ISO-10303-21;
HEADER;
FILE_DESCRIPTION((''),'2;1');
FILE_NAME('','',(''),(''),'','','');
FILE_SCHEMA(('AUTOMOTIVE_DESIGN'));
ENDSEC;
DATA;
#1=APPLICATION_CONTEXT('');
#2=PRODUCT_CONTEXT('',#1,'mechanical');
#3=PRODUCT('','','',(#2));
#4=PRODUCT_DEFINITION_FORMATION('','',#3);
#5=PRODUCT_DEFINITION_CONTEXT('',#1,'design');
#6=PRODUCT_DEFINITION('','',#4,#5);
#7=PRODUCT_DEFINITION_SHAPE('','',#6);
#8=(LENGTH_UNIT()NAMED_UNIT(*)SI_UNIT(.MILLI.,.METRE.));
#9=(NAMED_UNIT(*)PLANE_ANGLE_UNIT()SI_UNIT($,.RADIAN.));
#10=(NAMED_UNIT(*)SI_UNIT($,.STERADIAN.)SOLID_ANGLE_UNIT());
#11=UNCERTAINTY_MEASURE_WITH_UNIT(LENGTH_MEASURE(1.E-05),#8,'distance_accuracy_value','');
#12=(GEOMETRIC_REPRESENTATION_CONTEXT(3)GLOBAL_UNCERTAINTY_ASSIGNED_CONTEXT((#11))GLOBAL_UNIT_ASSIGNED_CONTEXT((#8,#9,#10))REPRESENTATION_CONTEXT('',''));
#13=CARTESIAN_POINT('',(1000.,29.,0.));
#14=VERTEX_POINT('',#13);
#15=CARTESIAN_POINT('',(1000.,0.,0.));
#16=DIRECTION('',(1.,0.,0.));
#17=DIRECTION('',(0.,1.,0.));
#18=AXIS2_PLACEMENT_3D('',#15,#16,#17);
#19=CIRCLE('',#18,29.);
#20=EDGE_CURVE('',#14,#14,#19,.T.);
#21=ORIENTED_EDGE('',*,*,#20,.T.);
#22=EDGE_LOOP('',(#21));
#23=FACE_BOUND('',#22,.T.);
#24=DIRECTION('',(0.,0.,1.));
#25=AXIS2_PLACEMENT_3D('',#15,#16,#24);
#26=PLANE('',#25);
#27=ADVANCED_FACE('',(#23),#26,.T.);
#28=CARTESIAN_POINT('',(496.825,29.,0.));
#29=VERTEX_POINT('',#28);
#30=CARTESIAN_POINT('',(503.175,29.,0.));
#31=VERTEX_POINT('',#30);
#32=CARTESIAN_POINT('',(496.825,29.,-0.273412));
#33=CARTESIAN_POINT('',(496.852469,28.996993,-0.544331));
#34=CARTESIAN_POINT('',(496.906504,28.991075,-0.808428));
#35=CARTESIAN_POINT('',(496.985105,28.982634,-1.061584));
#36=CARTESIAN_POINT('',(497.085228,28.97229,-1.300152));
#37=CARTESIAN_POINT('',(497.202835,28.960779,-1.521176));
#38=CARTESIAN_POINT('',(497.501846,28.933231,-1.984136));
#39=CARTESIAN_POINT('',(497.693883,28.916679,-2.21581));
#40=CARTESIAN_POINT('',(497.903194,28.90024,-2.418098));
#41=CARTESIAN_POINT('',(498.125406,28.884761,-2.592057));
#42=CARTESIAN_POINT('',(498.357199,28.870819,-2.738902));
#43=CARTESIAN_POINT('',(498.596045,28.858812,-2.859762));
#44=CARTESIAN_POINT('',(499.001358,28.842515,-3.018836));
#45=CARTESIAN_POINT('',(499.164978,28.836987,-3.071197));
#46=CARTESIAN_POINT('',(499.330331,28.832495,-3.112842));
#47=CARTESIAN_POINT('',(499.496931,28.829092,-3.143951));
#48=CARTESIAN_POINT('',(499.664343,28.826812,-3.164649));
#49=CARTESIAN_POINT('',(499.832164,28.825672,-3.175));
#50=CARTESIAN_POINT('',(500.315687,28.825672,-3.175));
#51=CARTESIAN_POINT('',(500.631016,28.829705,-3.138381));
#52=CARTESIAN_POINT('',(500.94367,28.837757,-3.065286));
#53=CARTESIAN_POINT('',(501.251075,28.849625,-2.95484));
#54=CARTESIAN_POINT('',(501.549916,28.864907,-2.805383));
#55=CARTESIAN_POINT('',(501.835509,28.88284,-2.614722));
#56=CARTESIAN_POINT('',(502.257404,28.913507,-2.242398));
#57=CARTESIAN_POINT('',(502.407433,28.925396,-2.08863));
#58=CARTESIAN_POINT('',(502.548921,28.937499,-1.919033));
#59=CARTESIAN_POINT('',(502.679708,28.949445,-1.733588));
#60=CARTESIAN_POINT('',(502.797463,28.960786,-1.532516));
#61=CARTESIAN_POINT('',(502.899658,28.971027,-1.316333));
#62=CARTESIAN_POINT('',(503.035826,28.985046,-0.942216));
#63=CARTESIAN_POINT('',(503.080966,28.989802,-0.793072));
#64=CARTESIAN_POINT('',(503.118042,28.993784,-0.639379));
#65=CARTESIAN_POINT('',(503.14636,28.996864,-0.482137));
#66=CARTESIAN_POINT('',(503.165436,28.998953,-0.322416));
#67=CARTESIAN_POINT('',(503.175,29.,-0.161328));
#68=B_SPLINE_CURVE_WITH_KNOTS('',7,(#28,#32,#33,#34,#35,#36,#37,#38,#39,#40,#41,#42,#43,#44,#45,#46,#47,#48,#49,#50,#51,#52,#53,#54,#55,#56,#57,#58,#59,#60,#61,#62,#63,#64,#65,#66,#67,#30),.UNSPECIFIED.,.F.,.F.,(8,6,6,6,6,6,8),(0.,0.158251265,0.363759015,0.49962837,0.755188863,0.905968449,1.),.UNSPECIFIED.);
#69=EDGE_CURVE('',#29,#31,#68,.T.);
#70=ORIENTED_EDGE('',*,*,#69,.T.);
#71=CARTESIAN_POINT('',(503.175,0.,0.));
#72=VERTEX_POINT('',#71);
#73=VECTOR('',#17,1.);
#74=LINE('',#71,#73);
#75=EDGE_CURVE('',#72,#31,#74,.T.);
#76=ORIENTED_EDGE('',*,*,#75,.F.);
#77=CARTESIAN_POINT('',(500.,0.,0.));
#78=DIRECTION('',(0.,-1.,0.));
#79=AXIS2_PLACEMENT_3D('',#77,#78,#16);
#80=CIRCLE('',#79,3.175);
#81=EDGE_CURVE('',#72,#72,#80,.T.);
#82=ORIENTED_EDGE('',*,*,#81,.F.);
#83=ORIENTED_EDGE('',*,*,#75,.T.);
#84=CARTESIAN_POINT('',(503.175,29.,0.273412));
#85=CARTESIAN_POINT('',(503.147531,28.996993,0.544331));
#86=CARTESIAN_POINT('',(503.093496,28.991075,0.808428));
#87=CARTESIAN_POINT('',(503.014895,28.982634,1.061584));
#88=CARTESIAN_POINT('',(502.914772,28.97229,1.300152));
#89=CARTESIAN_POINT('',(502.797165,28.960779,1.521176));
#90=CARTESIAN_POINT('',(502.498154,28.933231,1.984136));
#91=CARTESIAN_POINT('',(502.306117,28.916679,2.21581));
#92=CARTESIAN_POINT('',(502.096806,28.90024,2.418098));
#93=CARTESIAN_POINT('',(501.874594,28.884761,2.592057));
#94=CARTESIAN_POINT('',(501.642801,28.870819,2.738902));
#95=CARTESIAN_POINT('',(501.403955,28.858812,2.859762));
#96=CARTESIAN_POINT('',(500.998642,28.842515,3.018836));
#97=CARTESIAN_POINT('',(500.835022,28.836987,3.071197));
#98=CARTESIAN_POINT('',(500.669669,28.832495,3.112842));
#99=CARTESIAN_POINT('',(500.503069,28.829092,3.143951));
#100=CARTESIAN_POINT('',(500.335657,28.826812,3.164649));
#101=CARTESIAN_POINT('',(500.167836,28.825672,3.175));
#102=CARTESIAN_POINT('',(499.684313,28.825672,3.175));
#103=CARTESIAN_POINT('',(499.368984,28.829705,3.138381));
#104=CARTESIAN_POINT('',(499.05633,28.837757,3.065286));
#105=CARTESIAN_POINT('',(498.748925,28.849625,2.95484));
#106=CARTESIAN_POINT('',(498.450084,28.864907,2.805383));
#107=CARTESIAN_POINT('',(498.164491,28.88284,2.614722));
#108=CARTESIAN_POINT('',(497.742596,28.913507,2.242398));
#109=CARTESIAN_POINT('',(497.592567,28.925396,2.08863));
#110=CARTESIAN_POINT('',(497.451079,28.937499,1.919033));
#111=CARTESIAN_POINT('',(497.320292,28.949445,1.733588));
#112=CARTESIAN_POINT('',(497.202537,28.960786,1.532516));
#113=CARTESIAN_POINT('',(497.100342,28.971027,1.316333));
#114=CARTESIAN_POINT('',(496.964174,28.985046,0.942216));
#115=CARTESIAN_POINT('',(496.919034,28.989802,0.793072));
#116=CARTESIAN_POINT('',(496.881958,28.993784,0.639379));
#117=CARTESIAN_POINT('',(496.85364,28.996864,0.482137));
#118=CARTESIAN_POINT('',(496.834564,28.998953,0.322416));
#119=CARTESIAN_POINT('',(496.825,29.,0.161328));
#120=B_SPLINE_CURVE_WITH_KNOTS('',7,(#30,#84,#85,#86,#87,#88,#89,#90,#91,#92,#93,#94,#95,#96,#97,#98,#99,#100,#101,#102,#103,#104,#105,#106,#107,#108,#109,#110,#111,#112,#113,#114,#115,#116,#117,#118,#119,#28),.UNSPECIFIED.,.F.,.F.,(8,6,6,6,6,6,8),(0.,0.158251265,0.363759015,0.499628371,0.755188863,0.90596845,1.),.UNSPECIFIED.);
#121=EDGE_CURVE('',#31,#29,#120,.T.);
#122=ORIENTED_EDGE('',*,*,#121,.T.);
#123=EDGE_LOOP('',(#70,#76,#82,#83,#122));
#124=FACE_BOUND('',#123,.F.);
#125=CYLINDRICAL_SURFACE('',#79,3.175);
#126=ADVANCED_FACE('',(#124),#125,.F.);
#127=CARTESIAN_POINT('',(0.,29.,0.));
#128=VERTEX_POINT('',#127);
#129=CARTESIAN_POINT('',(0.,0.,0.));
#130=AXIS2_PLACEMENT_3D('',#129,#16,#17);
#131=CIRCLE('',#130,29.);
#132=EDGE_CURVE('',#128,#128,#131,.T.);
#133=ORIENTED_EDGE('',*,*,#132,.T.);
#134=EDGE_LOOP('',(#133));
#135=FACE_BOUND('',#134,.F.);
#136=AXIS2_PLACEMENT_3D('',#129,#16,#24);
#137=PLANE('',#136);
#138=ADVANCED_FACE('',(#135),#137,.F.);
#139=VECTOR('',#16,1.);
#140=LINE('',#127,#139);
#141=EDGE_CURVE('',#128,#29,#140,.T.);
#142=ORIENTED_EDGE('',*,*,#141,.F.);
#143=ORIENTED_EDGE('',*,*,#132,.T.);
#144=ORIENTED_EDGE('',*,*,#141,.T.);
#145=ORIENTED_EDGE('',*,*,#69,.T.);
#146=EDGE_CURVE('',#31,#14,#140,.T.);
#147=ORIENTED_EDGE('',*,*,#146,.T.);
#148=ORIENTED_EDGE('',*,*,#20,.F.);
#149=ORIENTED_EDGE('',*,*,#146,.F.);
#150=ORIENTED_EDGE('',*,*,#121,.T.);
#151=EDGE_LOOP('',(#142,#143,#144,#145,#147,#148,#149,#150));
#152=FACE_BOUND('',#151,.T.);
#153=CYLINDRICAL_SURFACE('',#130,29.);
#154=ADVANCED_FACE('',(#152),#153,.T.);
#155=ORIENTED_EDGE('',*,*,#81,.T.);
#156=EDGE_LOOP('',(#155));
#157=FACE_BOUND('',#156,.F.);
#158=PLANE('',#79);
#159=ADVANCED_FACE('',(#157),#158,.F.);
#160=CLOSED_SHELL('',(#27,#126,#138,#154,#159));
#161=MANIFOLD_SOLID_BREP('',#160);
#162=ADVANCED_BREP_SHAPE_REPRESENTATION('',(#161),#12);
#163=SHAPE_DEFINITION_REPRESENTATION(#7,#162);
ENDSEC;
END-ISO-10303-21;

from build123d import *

# Parameters (mm, degrees)
F1_R     = 29
F4_D     = 6.35
F4_DEPTH = 29.001


with BuildPart() as f2:
    # F2: sweep along a path in F0
    with BuildLine(Plane.XZ) as f2_path:
        Line((0, 0), (1000, 0))
    # F1 (on Right) → F2 (sweep)
    with BuildSketch(Plane.YZ):
        Circle(F1_R)
    sweep(path=f2_path.line)

    # F4 (through all, one way)
    with BuildSketch(Plane.XZ):
        with Locations((500, 0)):
            Circle(F4_D / 2)
    extrude(amount=-F4_DEPTH, mode=Mode.SUBTRACT)


solid = f2.part
